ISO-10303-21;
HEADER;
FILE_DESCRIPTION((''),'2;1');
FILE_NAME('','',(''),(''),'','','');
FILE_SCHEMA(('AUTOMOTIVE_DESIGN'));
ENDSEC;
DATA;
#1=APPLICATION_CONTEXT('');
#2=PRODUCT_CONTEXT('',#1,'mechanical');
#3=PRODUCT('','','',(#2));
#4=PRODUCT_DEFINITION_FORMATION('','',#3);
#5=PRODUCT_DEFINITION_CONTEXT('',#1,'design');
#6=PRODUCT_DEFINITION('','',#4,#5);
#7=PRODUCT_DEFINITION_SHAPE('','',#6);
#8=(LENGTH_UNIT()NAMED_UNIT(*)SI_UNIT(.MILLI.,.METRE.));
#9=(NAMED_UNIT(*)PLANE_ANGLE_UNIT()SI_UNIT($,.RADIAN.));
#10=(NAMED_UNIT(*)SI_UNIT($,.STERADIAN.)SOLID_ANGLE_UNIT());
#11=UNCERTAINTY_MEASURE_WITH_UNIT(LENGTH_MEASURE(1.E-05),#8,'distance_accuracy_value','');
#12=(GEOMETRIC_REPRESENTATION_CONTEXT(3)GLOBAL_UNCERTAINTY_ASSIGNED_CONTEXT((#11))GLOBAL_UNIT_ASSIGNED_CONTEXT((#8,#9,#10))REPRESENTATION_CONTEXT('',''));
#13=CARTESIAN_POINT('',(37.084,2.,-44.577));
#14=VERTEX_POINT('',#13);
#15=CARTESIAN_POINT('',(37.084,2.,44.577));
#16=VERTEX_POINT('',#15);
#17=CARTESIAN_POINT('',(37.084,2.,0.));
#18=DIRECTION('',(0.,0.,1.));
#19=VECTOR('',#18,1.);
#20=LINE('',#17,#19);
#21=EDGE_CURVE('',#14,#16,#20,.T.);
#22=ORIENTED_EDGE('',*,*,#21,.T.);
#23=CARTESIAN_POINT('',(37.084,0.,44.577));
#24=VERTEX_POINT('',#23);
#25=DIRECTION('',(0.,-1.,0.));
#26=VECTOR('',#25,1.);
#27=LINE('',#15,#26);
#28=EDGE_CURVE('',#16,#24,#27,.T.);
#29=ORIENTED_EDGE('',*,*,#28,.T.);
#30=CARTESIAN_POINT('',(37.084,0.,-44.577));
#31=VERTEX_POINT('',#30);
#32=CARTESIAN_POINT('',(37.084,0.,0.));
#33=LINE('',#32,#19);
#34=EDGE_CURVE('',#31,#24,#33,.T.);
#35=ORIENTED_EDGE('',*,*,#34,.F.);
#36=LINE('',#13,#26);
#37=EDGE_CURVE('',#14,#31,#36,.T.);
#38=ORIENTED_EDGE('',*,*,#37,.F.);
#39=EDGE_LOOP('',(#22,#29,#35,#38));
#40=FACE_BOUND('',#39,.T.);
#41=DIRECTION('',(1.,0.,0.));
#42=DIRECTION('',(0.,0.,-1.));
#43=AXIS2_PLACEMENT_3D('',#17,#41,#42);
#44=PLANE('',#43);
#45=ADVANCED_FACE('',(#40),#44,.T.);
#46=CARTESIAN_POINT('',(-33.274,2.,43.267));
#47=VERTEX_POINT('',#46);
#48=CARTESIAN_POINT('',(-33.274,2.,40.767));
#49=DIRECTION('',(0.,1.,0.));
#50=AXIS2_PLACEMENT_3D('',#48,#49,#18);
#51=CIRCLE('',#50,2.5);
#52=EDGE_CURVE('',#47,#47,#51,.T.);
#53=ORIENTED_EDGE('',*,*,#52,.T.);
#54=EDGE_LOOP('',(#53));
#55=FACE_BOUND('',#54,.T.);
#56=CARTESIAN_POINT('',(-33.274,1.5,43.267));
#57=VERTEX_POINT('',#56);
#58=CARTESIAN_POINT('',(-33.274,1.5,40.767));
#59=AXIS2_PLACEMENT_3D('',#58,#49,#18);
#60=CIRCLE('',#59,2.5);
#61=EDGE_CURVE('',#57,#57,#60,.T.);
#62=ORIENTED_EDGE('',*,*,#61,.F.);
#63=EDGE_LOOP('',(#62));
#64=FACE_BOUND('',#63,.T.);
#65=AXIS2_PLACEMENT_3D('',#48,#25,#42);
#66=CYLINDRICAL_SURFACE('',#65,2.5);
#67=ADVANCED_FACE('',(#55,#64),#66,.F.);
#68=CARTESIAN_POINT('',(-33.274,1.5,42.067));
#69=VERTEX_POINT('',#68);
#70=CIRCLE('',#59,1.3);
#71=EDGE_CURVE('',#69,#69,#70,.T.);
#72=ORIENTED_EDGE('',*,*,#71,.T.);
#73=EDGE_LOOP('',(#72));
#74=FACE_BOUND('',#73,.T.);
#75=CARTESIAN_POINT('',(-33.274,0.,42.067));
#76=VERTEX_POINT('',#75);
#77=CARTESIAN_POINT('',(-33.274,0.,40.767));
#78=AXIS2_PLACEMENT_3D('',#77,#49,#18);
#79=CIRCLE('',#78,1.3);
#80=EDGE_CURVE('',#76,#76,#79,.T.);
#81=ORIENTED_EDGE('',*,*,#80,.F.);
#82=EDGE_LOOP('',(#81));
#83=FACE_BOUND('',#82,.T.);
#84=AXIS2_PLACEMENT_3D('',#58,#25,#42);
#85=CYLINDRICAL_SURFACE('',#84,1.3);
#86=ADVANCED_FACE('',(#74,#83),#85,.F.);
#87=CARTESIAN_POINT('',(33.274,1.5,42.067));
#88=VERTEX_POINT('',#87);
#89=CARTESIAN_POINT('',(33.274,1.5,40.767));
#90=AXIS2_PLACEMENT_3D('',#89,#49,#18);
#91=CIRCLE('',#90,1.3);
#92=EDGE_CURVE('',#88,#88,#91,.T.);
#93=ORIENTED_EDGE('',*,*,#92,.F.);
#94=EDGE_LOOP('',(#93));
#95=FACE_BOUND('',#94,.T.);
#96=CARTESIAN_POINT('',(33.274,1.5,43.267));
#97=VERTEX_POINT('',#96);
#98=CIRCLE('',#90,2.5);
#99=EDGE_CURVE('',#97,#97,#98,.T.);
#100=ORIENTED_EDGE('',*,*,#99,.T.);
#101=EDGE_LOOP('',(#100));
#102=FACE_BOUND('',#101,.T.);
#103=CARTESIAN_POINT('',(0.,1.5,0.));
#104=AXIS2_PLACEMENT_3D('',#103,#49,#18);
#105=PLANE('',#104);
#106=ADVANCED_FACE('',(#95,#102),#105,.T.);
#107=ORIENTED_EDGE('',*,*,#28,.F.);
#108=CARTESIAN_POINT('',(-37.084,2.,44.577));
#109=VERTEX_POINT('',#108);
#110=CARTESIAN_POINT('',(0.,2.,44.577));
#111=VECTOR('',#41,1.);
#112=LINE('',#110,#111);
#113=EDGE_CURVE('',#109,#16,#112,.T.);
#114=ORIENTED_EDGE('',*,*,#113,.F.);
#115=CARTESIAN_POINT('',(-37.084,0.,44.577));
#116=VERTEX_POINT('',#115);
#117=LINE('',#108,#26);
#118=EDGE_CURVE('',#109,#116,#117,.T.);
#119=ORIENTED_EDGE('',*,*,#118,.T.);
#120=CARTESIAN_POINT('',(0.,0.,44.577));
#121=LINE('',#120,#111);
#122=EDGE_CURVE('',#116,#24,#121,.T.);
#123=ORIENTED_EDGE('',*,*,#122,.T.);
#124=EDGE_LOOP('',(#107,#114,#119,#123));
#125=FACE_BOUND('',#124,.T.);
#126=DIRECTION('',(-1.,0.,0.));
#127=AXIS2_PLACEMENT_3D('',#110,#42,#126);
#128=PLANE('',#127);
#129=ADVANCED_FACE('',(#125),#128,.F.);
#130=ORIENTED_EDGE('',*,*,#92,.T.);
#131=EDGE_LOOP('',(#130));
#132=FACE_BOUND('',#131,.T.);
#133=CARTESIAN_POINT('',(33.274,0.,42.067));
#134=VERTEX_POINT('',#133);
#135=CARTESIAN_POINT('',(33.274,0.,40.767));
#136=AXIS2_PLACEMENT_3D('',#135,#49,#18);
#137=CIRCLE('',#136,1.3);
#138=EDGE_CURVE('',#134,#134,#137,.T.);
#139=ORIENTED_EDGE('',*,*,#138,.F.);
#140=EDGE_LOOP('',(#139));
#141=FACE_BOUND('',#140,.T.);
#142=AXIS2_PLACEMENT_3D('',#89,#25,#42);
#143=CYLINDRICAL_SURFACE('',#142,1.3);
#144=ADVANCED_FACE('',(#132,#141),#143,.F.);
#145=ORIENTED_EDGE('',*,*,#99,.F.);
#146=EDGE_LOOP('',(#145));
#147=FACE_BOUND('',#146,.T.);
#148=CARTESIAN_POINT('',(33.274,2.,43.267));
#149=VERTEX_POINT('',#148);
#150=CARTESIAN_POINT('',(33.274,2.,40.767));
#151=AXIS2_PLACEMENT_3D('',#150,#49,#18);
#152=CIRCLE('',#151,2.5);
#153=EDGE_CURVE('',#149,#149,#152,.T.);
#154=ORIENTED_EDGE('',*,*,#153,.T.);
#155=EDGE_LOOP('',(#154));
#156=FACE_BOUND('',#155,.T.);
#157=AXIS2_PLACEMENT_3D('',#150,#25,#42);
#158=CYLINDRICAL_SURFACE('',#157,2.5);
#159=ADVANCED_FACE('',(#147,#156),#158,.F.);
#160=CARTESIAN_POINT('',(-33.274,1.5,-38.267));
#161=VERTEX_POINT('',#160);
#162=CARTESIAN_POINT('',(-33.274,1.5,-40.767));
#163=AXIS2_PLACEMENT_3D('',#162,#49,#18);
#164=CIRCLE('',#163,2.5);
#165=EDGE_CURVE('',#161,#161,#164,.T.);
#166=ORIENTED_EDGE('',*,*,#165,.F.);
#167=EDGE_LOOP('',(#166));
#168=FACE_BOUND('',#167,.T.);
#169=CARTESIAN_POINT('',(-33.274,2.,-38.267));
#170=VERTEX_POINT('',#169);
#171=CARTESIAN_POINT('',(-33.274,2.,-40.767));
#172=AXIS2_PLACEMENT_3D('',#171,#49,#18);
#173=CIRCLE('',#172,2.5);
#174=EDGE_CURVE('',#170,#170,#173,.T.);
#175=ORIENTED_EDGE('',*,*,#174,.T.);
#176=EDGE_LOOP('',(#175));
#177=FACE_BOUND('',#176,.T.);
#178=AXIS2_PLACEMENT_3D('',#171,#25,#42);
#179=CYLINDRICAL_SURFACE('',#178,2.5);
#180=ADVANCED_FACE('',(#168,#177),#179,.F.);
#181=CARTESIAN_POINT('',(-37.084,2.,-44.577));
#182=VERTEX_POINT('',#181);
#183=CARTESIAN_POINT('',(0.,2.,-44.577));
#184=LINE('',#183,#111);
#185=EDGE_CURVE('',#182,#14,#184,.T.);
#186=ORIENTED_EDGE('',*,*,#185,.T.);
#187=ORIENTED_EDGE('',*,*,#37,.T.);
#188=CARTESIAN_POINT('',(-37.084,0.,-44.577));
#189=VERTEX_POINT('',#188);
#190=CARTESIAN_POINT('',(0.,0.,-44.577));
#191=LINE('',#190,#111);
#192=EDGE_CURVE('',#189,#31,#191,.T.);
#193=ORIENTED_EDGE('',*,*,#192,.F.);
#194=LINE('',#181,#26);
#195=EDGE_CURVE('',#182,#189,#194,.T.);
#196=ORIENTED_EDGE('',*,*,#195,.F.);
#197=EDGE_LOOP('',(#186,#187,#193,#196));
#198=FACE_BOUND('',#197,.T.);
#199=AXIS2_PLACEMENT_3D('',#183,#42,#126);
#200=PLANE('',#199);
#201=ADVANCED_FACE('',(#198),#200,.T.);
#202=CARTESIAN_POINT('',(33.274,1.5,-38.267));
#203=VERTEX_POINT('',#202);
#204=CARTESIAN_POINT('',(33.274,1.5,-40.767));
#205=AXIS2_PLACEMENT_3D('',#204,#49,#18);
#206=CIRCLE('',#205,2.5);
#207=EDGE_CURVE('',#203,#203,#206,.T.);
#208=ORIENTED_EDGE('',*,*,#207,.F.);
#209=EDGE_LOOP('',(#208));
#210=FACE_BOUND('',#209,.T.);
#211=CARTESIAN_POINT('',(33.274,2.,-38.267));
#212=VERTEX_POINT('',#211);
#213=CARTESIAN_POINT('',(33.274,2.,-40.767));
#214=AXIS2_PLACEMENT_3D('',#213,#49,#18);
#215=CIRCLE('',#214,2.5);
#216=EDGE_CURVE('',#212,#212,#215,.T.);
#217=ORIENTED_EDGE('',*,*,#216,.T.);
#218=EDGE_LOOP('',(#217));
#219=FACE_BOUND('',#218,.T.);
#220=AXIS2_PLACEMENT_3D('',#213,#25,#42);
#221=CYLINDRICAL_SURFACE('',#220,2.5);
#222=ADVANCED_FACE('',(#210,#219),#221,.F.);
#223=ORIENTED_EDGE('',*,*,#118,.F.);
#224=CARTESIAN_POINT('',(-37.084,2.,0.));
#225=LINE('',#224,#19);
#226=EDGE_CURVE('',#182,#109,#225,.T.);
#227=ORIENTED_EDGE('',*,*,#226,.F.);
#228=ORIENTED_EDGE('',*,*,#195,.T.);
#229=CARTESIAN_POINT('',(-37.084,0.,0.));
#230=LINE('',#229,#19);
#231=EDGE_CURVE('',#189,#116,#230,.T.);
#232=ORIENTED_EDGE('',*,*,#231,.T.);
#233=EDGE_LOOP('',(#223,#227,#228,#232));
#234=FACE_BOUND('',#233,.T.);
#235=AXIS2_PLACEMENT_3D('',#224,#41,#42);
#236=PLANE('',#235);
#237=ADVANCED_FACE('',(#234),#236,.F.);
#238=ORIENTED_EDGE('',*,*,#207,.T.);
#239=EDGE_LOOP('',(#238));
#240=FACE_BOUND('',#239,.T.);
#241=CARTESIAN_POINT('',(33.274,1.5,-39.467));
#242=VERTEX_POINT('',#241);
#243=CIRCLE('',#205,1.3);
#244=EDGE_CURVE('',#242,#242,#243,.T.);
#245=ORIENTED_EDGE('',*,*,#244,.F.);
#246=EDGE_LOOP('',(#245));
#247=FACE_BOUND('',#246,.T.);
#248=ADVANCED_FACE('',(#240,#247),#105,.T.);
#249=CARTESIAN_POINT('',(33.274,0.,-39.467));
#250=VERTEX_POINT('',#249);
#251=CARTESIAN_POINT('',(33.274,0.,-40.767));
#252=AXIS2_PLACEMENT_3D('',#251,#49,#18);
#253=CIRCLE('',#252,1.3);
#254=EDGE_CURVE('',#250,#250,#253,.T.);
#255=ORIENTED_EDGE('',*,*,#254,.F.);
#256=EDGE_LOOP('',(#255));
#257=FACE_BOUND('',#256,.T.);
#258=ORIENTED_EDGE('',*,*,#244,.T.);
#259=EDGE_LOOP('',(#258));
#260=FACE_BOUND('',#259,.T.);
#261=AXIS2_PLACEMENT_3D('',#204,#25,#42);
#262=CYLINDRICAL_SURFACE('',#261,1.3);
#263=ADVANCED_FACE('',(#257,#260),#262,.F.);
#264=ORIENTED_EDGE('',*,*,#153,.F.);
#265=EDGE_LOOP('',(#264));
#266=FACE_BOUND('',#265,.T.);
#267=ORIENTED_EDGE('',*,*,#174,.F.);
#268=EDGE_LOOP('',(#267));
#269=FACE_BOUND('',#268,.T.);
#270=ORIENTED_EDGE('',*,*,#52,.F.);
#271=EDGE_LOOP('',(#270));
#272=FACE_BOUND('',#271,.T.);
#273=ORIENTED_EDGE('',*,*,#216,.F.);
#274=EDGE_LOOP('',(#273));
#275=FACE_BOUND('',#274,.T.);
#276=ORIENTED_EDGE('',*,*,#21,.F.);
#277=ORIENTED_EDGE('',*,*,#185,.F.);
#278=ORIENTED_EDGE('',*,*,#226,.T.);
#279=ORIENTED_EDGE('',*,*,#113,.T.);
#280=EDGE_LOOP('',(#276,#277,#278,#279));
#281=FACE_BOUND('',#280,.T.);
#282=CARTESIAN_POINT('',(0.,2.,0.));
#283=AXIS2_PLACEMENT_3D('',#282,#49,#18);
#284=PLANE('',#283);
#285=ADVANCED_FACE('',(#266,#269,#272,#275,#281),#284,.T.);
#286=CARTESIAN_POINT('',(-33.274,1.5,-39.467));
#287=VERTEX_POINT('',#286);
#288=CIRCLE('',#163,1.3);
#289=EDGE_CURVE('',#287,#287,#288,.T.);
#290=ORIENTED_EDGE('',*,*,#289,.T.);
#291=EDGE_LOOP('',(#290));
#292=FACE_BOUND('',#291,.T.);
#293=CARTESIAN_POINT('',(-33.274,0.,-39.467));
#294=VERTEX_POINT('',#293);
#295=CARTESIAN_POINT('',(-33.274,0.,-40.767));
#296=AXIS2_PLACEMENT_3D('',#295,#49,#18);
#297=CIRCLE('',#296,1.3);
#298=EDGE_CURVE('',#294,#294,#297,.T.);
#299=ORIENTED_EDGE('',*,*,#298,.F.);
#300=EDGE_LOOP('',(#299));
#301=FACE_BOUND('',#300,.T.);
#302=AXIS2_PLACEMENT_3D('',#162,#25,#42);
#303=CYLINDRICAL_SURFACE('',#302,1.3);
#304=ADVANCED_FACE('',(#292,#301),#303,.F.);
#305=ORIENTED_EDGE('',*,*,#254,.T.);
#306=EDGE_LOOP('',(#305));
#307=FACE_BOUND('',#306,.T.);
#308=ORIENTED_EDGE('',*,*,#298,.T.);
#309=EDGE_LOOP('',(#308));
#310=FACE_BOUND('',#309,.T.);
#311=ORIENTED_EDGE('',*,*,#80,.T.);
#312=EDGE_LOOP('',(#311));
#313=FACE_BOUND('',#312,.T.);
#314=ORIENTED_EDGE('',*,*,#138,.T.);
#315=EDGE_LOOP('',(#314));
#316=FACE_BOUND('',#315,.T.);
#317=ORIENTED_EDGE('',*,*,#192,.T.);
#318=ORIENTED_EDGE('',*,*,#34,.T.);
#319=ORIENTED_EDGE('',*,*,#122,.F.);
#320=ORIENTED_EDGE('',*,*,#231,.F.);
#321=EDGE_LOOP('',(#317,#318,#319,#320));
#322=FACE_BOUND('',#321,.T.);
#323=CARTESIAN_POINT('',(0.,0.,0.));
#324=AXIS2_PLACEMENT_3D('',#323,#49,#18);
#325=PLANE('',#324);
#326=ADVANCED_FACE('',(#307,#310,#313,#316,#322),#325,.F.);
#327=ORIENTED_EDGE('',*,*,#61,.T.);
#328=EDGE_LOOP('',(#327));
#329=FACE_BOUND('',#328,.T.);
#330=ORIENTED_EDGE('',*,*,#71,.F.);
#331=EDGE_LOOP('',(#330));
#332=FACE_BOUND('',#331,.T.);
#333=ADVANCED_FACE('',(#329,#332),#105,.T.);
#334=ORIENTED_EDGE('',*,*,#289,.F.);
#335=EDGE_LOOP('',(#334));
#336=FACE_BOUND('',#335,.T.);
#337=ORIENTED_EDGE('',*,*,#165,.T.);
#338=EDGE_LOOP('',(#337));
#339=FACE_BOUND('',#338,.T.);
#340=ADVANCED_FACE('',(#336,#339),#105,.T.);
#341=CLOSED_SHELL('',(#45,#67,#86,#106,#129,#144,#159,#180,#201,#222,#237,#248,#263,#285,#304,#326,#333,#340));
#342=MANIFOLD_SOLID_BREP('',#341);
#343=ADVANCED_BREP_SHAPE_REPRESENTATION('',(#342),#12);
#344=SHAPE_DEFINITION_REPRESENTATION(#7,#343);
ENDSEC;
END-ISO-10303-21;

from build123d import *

# Parameters (mm, degrees)
SKETCH1_W           = 74.168
SKETCH1_H           = 89.154
SKETCH1_R           = 2.5
BOSS_EXTRUDE2_DEPTH = 2
SKETCH1_3_R         = 2.5
SKETCH1_3_R_2       = 1.3
BOSS_EXTRUDE3_DEPTH = 1.5


with BuildPart() as part:
    # Sketch1 → Boss-Extrude2 (new body)
    with BuildSketch(Plane(origin=(0, 0, 0), x_dir=(1, 0, 0), z_dir=(0, 1, 0))):
        Rectangle(SKETCH1_W, SKETCH1_H)
        with Locations((-33.274, -40.767)):
            Circle(SKETCH1_R, mode=Mode.SUBTRACT)
        with Locations((33.274, -40.767)):
            Circle(SKETCH1_R, mode=Mode.SUBTRACT)
        with Locations((-33.274, 40.767)):
            Circle(SKETCH1_R, mode=Mode.SUBTRACT)
        with Locations((33.274, 40.767)):
            Circle(SKETCH1_R, mode=Mode.SUBTRACT)
    extrude(amount=BOSS_EXTRUDE2_DEPTH)

    # Sketch1<3> → Boss-Extrude3 (add)
    # profile 1 of 4: a face of its own
    with BuildSketch(Plane(origin=(0, 0, 0), x_dir=(1, 0, 0), z_dir=(0, 1, 0))):
        with Locations((-33.274, 40.767)):
            Circle(SKETCH1_3_R)
        with Locations((-33.274, 40.767)):
            Circle(SKETCH1_3_R_2, mode=Mode.SUBTRACT)
    # profile 2 of 4: a face of its own
    with BuildSketch(Plane(origin=(0, 0, 0), x_dir=(1, 0, 0), z_dir=(0, 1, 0))):
        with Locations((33.274, 40.767)):
            Circle(SKETCH1_3_R)
        with Locations((33.274, 40.767)):
            Circle(SKETCH1_3_R_2, mode=Mode.SUBTRACT)
    # profile 3 of 4: a face of its own
    with BuildSketch(Plane(origin=(0, 0, 0), x_dir=(1, 0, 0), z_dir=(0, 1, 0))):
        with Locations((33.274, -40.767)):
            Circle(SKETCH1_3_R)
        with Locations((33.274, -40.767)):
            Circle(SKETCH1_3_R_2, mode=Mode.SUBTRACT)
    # profile 4 of 4: a face of its own
    with BuildSketch(Plane(origin=(0, 0, 0), x_dir=(1, 0, 0), z_dir=(0, 1, 0))):
        with Locations((-33.274, -40.767)):
            Circle(SKETCH1_3_R)
        with Locations((-33.274, -40.767)):
            Circle(SKETCH1_3_R_2, mode=Mode.SUBTRACT)
    extrude(amount=BOSS_EXTRUDE3_DEPTH)


solid = part.part
